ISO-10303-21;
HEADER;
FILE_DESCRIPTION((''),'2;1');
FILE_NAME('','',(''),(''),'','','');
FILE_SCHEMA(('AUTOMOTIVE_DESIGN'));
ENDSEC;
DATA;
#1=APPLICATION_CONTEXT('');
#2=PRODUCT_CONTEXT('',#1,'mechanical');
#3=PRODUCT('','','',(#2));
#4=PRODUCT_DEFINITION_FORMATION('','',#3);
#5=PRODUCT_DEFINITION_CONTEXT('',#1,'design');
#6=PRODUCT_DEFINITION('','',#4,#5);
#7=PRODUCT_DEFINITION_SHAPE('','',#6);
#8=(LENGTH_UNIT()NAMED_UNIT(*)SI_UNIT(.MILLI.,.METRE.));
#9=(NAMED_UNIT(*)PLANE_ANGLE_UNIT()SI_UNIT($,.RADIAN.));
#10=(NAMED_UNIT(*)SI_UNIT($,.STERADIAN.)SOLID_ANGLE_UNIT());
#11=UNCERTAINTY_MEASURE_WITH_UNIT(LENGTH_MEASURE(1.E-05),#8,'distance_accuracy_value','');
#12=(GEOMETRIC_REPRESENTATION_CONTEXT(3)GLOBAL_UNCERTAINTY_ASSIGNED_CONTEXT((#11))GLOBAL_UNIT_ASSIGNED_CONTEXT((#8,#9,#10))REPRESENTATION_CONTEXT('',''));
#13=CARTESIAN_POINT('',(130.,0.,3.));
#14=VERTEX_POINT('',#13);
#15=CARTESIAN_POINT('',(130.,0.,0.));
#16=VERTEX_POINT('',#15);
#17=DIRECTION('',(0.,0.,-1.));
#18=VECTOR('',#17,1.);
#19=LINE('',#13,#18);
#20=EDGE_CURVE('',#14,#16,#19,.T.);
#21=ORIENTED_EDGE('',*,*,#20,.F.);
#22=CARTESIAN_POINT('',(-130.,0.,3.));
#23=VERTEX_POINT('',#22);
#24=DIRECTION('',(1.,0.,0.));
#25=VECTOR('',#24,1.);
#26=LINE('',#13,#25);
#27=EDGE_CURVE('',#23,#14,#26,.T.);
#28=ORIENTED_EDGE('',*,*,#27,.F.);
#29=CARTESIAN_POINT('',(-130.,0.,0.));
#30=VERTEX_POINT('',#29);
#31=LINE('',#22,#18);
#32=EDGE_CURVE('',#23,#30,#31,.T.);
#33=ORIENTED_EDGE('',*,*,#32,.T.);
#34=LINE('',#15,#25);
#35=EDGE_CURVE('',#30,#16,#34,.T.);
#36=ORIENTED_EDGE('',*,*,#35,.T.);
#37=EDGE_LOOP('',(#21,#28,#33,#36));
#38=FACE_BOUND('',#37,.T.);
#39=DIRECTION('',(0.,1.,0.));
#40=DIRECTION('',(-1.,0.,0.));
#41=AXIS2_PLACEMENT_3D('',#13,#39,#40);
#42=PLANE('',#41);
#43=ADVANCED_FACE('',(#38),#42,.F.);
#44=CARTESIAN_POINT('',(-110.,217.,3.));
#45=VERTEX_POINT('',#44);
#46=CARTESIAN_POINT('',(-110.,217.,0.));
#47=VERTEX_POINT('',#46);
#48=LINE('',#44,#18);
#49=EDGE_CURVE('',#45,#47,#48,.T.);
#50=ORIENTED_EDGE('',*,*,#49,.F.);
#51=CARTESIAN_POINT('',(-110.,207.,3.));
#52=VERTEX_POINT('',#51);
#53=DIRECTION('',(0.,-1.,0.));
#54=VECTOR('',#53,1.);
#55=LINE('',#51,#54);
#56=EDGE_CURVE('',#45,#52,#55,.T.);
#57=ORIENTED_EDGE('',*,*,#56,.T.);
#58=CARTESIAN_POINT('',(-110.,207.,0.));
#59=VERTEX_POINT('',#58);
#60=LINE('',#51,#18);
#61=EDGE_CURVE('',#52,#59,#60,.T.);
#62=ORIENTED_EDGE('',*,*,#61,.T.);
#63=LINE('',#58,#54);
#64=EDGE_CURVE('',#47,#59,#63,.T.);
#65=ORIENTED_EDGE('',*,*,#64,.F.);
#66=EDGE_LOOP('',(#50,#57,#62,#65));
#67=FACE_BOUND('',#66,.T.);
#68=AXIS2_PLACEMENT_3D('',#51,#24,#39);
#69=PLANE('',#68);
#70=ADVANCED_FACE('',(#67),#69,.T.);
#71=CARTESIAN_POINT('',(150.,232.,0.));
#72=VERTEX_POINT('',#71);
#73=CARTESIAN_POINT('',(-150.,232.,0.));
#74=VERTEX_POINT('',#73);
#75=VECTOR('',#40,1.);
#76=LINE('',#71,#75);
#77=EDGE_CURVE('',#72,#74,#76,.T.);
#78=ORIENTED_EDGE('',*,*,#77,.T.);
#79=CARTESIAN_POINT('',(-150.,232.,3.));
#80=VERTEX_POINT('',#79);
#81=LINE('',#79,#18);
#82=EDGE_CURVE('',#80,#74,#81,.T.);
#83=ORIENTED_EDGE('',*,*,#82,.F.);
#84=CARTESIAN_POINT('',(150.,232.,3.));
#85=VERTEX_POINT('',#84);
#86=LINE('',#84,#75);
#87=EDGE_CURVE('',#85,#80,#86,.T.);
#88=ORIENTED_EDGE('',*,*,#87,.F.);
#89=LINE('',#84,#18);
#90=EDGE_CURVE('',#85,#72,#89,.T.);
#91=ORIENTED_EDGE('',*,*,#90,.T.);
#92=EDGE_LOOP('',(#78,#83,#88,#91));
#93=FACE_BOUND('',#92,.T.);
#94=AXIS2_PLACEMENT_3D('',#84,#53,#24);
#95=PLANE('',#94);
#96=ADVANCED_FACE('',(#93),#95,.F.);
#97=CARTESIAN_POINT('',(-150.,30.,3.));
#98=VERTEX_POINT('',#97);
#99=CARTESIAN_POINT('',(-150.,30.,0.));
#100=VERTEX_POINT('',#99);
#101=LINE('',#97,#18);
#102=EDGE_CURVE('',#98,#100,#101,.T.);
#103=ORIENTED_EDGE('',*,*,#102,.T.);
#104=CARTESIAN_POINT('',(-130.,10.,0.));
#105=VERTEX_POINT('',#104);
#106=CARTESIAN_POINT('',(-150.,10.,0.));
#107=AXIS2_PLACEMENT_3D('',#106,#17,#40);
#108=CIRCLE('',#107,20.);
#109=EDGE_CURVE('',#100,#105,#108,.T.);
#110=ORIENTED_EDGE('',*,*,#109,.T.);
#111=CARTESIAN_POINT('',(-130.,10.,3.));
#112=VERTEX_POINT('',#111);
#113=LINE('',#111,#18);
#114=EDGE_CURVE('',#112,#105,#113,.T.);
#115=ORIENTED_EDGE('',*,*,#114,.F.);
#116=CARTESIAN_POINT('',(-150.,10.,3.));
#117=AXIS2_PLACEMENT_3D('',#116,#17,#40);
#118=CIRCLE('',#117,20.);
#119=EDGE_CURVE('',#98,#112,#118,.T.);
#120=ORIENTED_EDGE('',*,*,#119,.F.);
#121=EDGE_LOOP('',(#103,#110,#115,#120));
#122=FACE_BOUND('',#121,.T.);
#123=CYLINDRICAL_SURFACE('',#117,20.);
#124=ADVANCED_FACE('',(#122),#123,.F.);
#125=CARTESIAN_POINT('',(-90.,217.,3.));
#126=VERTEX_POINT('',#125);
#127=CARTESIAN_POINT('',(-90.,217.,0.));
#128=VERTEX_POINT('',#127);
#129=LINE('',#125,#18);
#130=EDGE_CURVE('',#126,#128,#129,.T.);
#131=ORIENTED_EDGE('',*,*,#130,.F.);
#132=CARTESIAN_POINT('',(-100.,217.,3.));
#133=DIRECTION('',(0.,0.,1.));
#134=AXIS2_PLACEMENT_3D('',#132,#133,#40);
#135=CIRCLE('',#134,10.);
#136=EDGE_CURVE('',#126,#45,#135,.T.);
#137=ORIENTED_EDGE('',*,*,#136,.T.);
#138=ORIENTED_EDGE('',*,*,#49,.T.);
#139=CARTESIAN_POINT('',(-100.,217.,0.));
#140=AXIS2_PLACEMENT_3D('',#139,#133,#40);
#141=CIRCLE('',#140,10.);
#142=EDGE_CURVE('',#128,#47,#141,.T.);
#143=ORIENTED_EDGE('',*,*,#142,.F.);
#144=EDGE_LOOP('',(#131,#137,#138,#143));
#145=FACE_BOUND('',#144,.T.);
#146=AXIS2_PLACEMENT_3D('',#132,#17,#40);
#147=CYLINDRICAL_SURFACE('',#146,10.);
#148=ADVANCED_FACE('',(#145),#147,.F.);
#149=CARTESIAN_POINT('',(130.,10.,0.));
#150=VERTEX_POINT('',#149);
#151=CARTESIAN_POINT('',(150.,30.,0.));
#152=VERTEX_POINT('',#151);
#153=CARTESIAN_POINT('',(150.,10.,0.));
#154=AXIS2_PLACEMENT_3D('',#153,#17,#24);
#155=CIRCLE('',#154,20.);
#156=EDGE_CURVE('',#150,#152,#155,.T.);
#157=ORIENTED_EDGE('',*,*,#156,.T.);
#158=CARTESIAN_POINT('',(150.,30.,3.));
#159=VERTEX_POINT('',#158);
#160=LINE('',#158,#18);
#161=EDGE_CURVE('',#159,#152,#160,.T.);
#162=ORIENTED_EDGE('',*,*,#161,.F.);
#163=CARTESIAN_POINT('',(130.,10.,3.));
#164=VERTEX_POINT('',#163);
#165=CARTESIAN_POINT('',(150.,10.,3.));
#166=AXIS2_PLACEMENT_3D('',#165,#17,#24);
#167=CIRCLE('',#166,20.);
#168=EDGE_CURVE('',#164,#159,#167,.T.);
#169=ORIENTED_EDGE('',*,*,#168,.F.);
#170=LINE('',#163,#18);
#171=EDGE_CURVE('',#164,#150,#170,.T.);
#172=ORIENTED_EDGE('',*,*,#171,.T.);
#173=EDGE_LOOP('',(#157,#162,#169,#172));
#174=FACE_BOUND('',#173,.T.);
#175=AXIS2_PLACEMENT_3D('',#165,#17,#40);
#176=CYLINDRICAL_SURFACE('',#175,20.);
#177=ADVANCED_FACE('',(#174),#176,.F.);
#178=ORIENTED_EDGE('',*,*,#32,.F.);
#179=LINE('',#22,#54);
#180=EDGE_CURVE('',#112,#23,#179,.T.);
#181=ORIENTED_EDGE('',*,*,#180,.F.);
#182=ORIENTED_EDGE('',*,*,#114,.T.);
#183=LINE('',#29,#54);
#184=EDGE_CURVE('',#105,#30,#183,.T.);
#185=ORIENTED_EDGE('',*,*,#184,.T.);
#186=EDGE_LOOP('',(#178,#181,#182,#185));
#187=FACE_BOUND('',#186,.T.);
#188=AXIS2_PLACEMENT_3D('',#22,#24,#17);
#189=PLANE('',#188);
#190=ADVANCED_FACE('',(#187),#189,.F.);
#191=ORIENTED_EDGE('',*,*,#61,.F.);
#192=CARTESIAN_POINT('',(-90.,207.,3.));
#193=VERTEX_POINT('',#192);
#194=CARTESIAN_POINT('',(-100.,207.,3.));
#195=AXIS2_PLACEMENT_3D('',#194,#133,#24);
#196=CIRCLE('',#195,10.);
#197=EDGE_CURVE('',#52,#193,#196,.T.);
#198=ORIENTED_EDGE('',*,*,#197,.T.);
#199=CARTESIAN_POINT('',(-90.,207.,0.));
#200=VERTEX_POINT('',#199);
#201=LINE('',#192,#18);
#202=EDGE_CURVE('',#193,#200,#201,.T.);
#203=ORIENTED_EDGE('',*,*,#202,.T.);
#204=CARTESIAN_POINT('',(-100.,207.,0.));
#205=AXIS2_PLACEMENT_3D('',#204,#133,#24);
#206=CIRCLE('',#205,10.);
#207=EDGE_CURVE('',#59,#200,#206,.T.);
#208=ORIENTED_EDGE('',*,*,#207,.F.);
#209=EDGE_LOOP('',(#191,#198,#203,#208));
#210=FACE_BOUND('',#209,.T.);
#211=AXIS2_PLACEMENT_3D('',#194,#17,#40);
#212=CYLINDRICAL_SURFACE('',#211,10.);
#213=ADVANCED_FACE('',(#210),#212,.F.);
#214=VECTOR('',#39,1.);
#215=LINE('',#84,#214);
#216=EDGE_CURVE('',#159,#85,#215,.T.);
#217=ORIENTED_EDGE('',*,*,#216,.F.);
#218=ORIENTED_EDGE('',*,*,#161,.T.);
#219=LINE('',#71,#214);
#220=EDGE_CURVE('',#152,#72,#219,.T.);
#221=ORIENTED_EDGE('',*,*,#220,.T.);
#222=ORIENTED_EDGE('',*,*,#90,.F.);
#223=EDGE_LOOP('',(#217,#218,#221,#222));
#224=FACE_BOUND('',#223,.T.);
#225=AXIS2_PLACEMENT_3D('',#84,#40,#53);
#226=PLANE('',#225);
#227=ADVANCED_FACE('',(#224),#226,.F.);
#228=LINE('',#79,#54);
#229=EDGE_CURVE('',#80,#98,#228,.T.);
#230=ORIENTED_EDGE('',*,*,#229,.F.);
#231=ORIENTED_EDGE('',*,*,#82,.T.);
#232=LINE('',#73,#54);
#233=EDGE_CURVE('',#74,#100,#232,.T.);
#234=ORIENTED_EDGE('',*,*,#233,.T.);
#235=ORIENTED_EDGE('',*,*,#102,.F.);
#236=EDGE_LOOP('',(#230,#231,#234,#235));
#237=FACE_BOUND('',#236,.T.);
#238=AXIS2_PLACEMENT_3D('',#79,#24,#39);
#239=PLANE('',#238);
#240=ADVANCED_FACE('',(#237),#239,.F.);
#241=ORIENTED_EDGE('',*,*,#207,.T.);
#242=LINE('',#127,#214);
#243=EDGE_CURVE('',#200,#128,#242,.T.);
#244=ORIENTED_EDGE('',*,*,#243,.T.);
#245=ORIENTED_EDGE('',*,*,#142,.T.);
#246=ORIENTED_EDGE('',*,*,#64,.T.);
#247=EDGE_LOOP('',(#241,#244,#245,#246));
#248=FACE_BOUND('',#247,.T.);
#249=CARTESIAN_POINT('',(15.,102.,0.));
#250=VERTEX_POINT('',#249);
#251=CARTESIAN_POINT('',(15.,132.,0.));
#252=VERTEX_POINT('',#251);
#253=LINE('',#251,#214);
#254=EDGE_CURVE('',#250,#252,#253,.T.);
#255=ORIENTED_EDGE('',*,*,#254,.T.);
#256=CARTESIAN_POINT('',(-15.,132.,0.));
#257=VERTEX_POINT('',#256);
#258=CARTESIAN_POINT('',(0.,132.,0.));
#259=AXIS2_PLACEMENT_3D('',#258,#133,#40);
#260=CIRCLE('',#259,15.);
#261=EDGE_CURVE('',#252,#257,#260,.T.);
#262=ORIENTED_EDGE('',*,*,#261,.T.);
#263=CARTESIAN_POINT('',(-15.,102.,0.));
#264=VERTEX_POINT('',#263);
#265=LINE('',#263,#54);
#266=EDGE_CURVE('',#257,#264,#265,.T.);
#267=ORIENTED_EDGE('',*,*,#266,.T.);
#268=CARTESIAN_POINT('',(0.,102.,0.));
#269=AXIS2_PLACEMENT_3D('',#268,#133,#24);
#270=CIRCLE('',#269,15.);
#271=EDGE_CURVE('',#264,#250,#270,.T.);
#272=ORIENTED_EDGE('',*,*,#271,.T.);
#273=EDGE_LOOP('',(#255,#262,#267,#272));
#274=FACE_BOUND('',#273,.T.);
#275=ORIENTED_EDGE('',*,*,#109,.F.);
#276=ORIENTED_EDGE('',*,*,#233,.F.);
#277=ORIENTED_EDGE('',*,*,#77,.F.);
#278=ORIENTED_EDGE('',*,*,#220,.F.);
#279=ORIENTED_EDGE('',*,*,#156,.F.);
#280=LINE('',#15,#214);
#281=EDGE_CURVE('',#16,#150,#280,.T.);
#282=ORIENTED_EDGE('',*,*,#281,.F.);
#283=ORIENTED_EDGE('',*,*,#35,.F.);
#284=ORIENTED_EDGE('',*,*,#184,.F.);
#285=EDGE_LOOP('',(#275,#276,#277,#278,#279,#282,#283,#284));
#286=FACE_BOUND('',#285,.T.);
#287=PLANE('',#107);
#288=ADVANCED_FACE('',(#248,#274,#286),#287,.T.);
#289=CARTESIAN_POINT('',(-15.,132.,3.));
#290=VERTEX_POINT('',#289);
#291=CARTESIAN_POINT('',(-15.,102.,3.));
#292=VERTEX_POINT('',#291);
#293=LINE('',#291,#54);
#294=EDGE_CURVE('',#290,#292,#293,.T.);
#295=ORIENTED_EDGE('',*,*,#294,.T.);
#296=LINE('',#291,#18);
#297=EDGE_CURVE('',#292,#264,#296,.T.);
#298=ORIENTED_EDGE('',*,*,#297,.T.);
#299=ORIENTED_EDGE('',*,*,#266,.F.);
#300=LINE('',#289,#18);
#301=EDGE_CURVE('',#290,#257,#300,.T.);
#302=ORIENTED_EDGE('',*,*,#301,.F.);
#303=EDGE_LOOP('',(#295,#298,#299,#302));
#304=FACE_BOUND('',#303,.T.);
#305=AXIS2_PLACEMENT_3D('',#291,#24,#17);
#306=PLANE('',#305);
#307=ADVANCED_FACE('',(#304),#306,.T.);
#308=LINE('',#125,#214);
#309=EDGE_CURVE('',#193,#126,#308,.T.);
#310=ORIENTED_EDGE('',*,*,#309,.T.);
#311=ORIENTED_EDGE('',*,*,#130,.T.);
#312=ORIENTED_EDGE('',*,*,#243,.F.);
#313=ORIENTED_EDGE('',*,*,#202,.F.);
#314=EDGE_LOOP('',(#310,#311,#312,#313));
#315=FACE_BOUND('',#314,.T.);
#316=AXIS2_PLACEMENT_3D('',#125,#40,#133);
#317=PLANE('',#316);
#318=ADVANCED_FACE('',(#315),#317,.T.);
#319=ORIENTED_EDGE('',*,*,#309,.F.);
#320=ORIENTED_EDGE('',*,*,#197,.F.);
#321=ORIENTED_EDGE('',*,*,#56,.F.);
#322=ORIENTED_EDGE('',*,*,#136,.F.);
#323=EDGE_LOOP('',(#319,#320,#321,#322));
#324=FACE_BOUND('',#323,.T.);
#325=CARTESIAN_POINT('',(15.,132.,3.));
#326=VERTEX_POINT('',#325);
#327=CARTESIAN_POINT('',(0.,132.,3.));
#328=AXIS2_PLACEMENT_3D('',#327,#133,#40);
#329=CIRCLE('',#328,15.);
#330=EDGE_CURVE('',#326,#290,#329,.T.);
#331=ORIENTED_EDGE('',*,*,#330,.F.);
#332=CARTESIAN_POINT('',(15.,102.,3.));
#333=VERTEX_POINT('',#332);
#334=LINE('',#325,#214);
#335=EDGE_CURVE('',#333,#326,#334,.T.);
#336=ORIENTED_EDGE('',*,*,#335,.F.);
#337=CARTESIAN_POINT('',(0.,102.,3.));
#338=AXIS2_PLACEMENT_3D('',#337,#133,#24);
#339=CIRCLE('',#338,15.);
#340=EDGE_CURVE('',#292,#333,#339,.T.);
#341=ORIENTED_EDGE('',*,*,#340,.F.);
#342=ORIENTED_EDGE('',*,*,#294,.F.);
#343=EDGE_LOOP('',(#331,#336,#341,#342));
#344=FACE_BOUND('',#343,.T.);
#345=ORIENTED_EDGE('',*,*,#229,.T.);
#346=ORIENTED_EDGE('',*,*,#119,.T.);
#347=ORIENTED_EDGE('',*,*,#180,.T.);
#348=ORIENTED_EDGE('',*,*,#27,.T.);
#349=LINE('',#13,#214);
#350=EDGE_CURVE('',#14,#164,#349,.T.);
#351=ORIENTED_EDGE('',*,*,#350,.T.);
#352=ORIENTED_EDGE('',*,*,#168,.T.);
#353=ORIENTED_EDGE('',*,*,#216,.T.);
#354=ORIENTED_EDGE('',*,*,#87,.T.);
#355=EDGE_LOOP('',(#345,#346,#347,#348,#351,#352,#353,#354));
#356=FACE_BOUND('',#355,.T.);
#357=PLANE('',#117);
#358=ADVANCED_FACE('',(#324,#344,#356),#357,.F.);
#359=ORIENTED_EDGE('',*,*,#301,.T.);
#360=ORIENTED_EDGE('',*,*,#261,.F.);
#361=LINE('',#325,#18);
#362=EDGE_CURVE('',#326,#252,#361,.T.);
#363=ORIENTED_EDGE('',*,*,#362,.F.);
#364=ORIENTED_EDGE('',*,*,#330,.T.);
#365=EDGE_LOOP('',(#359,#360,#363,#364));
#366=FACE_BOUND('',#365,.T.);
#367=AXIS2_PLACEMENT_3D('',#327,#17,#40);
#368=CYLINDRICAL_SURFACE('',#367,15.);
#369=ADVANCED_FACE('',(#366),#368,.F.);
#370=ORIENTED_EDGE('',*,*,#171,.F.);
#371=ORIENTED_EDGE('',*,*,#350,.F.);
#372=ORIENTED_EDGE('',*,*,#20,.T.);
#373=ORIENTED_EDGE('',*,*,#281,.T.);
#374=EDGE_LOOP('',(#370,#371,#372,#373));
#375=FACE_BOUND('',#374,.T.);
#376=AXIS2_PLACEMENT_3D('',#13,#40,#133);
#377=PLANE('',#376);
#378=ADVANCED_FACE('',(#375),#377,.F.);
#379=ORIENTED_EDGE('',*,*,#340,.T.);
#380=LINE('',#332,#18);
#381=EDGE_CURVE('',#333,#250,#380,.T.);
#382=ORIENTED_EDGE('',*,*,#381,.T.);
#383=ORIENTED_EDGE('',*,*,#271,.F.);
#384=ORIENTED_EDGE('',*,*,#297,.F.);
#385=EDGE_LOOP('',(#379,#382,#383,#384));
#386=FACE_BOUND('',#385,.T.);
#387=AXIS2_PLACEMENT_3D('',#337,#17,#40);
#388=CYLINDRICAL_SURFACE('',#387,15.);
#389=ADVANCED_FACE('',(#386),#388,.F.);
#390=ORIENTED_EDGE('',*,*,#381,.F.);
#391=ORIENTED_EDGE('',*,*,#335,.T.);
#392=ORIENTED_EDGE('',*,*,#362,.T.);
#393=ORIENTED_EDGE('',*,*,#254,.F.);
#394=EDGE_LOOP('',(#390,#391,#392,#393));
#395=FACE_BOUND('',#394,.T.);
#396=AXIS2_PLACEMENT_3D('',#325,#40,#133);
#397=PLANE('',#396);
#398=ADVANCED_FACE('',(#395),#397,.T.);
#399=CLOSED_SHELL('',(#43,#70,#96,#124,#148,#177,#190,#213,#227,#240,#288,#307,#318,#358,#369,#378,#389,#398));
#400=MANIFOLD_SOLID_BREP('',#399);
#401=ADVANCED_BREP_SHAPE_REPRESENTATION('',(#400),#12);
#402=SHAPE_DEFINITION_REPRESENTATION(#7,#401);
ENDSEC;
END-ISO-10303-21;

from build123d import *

# Parameters (mm, degrees)
EXTRUSION1_DEPTH = 3


with BuildPart() as part:
    # Esquisse1 → Extrusion1 (new body)
    with BuildSketch(Plane.XY):
        with BuildLine():
            Line((150, 232), (-150, 232))
            Line((-150, 232), (-150, 30))
            ThreePointArc((-150, 30), (-135.857864376, 24.142135624), (-130, 10))
            Line((-130, 10), (-130, 0))
            Line((-130, 0), (130, 0))
            Line((130, 0), (130, 10))
            ThreePointArc((130, 10), (135.857864376, 24.142135624), (150, 30))
            Line((150, 30), (150, 232))
        make_face()
        with BuildLine():
            Line((-15, 102), (-15, 132))
            ThreePointArc((-15, 132), (0, 147), (15, 132))
            Line((15, 132), (15, 102))
            ThreePointArc((15, 102), (0, 87), (-15, 102))
        make_face(mode=Mode.SUBTRACT)
        with BuildLine():
            Line((-110, 207), (-110, 217))
            ThreePointArc((-110, 217), (-100, 227), (-90, 217))
            Line((-90, 217), (-90, 207))
            ThreePointArc((-90, 207), (-100, 197), (-110, 207))
        make_face(mode=Mode.SUBTRACT)
    extrude(amount=EXTRUSION1_DEPTH)


solid = part.part
